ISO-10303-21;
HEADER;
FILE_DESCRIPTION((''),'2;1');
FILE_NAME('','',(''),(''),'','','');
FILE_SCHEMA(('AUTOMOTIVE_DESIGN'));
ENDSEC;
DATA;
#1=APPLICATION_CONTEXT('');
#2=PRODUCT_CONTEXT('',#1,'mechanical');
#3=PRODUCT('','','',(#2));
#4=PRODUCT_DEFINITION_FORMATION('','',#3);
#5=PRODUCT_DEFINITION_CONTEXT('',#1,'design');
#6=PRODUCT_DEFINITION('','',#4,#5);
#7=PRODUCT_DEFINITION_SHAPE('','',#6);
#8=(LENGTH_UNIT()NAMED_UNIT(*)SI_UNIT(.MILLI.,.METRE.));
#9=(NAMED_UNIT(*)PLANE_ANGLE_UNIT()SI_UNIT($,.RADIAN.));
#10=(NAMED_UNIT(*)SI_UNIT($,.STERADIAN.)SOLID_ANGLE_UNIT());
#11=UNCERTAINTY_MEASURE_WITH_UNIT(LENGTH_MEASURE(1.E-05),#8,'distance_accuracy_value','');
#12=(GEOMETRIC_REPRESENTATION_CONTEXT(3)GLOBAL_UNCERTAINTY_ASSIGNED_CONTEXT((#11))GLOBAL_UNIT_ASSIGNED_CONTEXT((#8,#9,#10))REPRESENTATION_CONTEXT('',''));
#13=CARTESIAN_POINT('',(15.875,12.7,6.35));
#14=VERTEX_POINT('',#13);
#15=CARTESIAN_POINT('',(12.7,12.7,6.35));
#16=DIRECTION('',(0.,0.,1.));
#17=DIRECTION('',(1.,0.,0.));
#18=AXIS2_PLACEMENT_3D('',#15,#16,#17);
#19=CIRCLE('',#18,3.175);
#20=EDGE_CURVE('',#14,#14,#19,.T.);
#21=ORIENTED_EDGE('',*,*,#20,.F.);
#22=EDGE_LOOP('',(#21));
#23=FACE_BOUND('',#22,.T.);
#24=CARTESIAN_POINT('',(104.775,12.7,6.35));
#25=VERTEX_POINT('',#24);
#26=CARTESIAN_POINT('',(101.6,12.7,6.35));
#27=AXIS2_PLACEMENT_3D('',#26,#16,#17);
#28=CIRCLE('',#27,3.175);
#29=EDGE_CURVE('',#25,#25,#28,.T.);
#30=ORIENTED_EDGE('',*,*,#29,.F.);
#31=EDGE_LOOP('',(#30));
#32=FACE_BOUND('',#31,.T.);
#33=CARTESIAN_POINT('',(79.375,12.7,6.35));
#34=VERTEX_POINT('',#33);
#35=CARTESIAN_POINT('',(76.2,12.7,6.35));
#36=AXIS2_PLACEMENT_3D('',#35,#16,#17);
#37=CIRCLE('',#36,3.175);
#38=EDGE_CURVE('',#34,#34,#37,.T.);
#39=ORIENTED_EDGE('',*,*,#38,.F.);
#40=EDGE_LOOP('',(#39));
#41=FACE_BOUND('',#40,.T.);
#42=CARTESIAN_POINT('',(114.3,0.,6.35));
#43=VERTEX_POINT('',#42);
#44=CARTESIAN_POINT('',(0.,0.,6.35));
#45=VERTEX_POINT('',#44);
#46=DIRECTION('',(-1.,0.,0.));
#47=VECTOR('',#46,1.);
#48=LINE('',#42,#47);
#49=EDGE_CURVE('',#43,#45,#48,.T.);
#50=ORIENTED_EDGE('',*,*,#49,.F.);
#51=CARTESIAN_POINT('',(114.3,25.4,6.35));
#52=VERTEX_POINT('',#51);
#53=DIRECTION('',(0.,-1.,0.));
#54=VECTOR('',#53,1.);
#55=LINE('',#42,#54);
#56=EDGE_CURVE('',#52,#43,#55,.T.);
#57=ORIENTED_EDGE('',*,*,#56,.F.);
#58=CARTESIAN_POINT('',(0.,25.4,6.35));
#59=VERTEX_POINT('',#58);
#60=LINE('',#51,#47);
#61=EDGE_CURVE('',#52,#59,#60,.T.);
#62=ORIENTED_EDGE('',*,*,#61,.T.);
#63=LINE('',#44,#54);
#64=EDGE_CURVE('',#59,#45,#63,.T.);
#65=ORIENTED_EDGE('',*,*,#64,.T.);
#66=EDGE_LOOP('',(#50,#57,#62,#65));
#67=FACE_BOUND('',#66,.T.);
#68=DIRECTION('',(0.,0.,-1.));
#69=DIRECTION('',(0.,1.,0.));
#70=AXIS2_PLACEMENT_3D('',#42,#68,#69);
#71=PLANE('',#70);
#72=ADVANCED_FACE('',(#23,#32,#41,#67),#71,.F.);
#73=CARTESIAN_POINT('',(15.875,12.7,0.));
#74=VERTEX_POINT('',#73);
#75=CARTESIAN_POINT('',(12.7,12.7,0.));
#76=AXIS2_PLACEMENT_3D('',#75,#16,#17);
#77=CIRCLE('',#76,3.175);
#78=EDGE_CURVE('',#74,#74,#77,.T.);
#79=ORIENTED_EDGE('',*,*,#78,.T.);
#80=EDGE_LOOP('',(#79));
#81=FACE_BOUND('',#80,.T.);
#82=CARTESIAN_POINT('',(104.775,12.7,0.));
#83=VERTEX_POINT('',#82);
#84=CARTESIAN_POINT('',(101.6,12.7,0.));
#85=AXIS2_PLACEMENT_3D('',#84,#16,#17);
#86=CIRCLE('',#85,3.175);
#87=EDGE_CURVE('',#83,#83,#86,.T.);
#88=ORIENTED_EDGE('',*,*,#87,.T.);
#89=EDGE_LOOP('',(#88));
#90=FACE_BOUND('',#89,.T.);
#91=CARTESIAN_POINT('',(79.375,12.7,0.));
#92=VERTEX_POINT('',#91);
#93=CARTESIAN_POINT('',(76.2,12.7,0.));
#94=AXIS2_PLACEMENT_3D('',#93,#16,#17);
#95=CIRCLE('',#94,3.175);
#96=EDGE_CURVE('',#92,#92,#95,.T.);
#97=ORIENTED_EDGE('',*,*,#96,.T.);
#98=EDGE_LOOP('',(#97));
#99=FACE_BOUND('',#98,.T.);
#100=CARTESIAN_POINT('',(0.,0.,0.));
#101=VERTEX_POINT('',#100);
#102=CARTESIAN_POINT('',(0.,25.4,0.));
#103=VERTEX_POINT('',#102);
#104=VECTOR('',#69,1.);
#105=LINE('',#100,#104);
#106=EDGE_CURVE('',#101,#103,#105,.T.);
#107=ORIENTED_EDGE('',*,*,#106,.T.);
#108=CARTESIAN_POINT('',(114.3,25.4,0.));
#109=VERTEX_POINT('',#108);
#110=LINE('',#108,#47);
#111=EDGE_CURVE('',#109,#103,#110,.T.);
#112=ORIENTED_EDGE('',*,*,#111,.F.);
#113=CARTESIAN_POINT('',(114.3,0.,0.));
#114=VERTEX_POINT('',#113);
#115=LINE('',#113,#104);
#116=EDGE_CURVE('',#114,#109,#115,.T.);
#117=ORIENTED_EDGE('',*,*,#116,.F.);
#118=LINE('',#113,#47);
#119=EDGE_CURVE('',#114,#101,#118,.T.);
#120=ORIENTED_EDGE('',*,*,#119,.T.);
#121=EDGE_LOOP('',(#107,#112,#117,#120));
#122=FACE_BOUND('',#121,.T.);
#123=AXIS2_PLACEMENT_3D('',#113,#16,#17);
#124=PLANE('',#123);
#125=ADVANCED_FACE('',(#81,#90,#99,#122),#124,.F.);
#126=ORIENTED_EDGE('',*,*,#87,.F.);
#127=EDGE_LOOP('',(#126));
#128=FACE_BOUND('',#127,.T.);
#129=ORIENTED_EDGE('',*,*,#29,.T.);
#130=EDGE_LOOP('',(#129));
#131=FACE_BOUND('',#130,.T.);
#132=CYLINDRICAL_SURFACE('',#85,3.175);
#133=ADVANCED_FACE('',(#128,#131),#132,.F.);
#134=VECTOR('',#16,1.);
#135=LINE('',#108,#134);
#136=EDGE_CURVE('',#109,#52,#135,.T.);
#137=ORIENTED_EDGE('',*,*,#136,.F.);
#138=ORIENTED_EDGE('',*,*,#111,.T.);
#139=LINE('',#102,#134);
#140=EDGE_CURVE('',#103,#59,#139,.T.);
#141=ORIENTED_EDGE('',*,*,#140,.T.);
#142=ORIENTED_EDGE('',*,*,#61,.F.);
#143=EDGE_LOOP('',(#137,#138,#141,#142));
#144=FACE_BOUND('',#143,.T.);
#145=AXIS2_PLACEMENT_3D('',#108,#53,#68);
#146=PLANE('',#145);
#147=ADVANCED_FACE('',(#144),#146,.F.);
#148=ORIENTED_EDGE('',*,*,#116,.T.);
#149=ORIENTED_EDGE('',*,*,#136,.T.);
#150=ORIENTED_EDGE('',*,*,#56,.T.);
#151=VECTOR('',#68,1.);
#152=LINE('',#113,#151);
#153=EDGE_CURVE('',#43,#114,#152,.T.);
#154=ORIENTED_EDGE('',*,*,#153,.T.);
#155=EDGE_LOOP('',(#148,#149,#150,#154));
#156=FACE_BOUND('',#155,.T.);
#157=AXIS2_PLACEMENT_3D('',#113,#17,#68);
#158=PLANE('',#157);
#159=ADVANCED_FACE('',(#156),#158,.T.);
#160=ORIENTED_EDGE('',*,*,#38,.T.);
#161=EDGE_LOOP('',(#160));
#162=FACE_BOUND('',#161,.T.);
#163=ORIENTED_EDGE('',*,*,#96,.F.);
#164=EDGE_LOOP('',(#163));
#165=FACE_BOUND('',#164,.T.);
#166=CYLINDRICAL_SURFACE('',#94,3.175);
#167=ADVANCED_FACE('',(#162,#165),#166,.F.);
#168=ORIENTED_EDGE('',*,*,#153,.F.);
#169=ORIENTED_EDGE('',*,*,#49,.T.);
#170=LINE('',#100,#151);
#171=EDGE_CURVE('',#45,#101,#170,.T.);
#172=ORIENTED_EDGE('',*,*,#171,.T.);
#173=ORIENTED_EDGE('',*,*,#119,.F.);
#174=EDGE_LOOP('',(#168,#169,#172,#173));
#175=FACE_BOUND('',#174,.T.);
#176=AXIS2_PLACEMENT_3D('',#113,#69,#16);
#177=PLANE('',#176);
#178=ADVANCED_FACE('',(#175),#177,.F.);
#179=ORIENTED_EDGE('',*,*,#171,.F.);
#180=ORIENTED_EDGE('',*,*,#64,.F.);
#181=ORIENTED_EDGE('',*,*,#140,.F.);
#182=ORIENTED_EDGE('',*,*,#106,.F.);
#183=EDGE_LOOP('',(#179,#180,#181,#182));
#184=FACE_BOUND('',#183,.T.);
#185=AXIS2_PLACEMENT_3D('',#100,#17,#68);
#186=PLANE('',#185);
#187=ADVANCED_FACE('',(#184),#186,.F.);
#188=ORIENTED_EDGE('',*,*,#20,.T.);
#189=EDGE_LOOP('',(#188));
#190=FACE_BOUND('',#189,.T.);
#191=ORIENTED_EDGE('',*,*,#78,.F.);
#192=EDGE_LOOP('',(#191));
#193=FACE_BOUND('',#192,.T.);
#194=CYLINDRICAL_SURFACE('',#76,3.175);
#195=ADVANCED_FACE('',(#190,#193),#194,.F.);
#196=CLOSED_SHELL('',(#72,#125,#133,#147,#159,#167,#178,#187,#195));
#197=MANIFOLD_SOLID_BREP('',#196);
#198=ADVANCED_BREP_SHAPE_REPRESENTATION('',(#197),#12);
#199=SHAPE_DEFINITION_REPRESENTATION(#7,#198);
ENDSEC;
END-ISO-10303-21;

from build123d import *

# Parameters (mm, degrees)
SKETCH1_W           = 6.35
SKETCH1_H           = 25.4
BOSS_EXTRUDE1_DEPTH = 114.3
SKETCH2_R           = 3.175
CUT_EXTRUDE1_DEPTH  = 118.260276735


with BuildPart() as part:
    # Sketch1 → Boss-Extrude1 (new body)
    with BuildSketch(Plane(origin=(0, 0, 0), x_dir=(0, 0, -1), z_dir=(1, 0, 0))):
        with Locations((-3.175, 12.7)):
            Rectangle(SKETCH1_W, SKETCH1_H)
    extrude(amount=BOSS_EXTRUDE1_DEPTH)

    # Sketch2 → Cut-Extrude1 (cut, through all)
    with BuildSketch(Plane.XY.offset(6.35)):
        with Locations((12.7, 12.7)):
            Circle(SKETCH2_R)
        with Locations((76.2, 12.7)):
            Circle(SKETCH2_R)
        with Locations((101.6, 12.7)):
            Circle(SKETCH2_R)
    extrude(amount=-CUT_EXTRUDE1_DEPTH, mode=Mode.SUBTRACT)


solid = part.part
